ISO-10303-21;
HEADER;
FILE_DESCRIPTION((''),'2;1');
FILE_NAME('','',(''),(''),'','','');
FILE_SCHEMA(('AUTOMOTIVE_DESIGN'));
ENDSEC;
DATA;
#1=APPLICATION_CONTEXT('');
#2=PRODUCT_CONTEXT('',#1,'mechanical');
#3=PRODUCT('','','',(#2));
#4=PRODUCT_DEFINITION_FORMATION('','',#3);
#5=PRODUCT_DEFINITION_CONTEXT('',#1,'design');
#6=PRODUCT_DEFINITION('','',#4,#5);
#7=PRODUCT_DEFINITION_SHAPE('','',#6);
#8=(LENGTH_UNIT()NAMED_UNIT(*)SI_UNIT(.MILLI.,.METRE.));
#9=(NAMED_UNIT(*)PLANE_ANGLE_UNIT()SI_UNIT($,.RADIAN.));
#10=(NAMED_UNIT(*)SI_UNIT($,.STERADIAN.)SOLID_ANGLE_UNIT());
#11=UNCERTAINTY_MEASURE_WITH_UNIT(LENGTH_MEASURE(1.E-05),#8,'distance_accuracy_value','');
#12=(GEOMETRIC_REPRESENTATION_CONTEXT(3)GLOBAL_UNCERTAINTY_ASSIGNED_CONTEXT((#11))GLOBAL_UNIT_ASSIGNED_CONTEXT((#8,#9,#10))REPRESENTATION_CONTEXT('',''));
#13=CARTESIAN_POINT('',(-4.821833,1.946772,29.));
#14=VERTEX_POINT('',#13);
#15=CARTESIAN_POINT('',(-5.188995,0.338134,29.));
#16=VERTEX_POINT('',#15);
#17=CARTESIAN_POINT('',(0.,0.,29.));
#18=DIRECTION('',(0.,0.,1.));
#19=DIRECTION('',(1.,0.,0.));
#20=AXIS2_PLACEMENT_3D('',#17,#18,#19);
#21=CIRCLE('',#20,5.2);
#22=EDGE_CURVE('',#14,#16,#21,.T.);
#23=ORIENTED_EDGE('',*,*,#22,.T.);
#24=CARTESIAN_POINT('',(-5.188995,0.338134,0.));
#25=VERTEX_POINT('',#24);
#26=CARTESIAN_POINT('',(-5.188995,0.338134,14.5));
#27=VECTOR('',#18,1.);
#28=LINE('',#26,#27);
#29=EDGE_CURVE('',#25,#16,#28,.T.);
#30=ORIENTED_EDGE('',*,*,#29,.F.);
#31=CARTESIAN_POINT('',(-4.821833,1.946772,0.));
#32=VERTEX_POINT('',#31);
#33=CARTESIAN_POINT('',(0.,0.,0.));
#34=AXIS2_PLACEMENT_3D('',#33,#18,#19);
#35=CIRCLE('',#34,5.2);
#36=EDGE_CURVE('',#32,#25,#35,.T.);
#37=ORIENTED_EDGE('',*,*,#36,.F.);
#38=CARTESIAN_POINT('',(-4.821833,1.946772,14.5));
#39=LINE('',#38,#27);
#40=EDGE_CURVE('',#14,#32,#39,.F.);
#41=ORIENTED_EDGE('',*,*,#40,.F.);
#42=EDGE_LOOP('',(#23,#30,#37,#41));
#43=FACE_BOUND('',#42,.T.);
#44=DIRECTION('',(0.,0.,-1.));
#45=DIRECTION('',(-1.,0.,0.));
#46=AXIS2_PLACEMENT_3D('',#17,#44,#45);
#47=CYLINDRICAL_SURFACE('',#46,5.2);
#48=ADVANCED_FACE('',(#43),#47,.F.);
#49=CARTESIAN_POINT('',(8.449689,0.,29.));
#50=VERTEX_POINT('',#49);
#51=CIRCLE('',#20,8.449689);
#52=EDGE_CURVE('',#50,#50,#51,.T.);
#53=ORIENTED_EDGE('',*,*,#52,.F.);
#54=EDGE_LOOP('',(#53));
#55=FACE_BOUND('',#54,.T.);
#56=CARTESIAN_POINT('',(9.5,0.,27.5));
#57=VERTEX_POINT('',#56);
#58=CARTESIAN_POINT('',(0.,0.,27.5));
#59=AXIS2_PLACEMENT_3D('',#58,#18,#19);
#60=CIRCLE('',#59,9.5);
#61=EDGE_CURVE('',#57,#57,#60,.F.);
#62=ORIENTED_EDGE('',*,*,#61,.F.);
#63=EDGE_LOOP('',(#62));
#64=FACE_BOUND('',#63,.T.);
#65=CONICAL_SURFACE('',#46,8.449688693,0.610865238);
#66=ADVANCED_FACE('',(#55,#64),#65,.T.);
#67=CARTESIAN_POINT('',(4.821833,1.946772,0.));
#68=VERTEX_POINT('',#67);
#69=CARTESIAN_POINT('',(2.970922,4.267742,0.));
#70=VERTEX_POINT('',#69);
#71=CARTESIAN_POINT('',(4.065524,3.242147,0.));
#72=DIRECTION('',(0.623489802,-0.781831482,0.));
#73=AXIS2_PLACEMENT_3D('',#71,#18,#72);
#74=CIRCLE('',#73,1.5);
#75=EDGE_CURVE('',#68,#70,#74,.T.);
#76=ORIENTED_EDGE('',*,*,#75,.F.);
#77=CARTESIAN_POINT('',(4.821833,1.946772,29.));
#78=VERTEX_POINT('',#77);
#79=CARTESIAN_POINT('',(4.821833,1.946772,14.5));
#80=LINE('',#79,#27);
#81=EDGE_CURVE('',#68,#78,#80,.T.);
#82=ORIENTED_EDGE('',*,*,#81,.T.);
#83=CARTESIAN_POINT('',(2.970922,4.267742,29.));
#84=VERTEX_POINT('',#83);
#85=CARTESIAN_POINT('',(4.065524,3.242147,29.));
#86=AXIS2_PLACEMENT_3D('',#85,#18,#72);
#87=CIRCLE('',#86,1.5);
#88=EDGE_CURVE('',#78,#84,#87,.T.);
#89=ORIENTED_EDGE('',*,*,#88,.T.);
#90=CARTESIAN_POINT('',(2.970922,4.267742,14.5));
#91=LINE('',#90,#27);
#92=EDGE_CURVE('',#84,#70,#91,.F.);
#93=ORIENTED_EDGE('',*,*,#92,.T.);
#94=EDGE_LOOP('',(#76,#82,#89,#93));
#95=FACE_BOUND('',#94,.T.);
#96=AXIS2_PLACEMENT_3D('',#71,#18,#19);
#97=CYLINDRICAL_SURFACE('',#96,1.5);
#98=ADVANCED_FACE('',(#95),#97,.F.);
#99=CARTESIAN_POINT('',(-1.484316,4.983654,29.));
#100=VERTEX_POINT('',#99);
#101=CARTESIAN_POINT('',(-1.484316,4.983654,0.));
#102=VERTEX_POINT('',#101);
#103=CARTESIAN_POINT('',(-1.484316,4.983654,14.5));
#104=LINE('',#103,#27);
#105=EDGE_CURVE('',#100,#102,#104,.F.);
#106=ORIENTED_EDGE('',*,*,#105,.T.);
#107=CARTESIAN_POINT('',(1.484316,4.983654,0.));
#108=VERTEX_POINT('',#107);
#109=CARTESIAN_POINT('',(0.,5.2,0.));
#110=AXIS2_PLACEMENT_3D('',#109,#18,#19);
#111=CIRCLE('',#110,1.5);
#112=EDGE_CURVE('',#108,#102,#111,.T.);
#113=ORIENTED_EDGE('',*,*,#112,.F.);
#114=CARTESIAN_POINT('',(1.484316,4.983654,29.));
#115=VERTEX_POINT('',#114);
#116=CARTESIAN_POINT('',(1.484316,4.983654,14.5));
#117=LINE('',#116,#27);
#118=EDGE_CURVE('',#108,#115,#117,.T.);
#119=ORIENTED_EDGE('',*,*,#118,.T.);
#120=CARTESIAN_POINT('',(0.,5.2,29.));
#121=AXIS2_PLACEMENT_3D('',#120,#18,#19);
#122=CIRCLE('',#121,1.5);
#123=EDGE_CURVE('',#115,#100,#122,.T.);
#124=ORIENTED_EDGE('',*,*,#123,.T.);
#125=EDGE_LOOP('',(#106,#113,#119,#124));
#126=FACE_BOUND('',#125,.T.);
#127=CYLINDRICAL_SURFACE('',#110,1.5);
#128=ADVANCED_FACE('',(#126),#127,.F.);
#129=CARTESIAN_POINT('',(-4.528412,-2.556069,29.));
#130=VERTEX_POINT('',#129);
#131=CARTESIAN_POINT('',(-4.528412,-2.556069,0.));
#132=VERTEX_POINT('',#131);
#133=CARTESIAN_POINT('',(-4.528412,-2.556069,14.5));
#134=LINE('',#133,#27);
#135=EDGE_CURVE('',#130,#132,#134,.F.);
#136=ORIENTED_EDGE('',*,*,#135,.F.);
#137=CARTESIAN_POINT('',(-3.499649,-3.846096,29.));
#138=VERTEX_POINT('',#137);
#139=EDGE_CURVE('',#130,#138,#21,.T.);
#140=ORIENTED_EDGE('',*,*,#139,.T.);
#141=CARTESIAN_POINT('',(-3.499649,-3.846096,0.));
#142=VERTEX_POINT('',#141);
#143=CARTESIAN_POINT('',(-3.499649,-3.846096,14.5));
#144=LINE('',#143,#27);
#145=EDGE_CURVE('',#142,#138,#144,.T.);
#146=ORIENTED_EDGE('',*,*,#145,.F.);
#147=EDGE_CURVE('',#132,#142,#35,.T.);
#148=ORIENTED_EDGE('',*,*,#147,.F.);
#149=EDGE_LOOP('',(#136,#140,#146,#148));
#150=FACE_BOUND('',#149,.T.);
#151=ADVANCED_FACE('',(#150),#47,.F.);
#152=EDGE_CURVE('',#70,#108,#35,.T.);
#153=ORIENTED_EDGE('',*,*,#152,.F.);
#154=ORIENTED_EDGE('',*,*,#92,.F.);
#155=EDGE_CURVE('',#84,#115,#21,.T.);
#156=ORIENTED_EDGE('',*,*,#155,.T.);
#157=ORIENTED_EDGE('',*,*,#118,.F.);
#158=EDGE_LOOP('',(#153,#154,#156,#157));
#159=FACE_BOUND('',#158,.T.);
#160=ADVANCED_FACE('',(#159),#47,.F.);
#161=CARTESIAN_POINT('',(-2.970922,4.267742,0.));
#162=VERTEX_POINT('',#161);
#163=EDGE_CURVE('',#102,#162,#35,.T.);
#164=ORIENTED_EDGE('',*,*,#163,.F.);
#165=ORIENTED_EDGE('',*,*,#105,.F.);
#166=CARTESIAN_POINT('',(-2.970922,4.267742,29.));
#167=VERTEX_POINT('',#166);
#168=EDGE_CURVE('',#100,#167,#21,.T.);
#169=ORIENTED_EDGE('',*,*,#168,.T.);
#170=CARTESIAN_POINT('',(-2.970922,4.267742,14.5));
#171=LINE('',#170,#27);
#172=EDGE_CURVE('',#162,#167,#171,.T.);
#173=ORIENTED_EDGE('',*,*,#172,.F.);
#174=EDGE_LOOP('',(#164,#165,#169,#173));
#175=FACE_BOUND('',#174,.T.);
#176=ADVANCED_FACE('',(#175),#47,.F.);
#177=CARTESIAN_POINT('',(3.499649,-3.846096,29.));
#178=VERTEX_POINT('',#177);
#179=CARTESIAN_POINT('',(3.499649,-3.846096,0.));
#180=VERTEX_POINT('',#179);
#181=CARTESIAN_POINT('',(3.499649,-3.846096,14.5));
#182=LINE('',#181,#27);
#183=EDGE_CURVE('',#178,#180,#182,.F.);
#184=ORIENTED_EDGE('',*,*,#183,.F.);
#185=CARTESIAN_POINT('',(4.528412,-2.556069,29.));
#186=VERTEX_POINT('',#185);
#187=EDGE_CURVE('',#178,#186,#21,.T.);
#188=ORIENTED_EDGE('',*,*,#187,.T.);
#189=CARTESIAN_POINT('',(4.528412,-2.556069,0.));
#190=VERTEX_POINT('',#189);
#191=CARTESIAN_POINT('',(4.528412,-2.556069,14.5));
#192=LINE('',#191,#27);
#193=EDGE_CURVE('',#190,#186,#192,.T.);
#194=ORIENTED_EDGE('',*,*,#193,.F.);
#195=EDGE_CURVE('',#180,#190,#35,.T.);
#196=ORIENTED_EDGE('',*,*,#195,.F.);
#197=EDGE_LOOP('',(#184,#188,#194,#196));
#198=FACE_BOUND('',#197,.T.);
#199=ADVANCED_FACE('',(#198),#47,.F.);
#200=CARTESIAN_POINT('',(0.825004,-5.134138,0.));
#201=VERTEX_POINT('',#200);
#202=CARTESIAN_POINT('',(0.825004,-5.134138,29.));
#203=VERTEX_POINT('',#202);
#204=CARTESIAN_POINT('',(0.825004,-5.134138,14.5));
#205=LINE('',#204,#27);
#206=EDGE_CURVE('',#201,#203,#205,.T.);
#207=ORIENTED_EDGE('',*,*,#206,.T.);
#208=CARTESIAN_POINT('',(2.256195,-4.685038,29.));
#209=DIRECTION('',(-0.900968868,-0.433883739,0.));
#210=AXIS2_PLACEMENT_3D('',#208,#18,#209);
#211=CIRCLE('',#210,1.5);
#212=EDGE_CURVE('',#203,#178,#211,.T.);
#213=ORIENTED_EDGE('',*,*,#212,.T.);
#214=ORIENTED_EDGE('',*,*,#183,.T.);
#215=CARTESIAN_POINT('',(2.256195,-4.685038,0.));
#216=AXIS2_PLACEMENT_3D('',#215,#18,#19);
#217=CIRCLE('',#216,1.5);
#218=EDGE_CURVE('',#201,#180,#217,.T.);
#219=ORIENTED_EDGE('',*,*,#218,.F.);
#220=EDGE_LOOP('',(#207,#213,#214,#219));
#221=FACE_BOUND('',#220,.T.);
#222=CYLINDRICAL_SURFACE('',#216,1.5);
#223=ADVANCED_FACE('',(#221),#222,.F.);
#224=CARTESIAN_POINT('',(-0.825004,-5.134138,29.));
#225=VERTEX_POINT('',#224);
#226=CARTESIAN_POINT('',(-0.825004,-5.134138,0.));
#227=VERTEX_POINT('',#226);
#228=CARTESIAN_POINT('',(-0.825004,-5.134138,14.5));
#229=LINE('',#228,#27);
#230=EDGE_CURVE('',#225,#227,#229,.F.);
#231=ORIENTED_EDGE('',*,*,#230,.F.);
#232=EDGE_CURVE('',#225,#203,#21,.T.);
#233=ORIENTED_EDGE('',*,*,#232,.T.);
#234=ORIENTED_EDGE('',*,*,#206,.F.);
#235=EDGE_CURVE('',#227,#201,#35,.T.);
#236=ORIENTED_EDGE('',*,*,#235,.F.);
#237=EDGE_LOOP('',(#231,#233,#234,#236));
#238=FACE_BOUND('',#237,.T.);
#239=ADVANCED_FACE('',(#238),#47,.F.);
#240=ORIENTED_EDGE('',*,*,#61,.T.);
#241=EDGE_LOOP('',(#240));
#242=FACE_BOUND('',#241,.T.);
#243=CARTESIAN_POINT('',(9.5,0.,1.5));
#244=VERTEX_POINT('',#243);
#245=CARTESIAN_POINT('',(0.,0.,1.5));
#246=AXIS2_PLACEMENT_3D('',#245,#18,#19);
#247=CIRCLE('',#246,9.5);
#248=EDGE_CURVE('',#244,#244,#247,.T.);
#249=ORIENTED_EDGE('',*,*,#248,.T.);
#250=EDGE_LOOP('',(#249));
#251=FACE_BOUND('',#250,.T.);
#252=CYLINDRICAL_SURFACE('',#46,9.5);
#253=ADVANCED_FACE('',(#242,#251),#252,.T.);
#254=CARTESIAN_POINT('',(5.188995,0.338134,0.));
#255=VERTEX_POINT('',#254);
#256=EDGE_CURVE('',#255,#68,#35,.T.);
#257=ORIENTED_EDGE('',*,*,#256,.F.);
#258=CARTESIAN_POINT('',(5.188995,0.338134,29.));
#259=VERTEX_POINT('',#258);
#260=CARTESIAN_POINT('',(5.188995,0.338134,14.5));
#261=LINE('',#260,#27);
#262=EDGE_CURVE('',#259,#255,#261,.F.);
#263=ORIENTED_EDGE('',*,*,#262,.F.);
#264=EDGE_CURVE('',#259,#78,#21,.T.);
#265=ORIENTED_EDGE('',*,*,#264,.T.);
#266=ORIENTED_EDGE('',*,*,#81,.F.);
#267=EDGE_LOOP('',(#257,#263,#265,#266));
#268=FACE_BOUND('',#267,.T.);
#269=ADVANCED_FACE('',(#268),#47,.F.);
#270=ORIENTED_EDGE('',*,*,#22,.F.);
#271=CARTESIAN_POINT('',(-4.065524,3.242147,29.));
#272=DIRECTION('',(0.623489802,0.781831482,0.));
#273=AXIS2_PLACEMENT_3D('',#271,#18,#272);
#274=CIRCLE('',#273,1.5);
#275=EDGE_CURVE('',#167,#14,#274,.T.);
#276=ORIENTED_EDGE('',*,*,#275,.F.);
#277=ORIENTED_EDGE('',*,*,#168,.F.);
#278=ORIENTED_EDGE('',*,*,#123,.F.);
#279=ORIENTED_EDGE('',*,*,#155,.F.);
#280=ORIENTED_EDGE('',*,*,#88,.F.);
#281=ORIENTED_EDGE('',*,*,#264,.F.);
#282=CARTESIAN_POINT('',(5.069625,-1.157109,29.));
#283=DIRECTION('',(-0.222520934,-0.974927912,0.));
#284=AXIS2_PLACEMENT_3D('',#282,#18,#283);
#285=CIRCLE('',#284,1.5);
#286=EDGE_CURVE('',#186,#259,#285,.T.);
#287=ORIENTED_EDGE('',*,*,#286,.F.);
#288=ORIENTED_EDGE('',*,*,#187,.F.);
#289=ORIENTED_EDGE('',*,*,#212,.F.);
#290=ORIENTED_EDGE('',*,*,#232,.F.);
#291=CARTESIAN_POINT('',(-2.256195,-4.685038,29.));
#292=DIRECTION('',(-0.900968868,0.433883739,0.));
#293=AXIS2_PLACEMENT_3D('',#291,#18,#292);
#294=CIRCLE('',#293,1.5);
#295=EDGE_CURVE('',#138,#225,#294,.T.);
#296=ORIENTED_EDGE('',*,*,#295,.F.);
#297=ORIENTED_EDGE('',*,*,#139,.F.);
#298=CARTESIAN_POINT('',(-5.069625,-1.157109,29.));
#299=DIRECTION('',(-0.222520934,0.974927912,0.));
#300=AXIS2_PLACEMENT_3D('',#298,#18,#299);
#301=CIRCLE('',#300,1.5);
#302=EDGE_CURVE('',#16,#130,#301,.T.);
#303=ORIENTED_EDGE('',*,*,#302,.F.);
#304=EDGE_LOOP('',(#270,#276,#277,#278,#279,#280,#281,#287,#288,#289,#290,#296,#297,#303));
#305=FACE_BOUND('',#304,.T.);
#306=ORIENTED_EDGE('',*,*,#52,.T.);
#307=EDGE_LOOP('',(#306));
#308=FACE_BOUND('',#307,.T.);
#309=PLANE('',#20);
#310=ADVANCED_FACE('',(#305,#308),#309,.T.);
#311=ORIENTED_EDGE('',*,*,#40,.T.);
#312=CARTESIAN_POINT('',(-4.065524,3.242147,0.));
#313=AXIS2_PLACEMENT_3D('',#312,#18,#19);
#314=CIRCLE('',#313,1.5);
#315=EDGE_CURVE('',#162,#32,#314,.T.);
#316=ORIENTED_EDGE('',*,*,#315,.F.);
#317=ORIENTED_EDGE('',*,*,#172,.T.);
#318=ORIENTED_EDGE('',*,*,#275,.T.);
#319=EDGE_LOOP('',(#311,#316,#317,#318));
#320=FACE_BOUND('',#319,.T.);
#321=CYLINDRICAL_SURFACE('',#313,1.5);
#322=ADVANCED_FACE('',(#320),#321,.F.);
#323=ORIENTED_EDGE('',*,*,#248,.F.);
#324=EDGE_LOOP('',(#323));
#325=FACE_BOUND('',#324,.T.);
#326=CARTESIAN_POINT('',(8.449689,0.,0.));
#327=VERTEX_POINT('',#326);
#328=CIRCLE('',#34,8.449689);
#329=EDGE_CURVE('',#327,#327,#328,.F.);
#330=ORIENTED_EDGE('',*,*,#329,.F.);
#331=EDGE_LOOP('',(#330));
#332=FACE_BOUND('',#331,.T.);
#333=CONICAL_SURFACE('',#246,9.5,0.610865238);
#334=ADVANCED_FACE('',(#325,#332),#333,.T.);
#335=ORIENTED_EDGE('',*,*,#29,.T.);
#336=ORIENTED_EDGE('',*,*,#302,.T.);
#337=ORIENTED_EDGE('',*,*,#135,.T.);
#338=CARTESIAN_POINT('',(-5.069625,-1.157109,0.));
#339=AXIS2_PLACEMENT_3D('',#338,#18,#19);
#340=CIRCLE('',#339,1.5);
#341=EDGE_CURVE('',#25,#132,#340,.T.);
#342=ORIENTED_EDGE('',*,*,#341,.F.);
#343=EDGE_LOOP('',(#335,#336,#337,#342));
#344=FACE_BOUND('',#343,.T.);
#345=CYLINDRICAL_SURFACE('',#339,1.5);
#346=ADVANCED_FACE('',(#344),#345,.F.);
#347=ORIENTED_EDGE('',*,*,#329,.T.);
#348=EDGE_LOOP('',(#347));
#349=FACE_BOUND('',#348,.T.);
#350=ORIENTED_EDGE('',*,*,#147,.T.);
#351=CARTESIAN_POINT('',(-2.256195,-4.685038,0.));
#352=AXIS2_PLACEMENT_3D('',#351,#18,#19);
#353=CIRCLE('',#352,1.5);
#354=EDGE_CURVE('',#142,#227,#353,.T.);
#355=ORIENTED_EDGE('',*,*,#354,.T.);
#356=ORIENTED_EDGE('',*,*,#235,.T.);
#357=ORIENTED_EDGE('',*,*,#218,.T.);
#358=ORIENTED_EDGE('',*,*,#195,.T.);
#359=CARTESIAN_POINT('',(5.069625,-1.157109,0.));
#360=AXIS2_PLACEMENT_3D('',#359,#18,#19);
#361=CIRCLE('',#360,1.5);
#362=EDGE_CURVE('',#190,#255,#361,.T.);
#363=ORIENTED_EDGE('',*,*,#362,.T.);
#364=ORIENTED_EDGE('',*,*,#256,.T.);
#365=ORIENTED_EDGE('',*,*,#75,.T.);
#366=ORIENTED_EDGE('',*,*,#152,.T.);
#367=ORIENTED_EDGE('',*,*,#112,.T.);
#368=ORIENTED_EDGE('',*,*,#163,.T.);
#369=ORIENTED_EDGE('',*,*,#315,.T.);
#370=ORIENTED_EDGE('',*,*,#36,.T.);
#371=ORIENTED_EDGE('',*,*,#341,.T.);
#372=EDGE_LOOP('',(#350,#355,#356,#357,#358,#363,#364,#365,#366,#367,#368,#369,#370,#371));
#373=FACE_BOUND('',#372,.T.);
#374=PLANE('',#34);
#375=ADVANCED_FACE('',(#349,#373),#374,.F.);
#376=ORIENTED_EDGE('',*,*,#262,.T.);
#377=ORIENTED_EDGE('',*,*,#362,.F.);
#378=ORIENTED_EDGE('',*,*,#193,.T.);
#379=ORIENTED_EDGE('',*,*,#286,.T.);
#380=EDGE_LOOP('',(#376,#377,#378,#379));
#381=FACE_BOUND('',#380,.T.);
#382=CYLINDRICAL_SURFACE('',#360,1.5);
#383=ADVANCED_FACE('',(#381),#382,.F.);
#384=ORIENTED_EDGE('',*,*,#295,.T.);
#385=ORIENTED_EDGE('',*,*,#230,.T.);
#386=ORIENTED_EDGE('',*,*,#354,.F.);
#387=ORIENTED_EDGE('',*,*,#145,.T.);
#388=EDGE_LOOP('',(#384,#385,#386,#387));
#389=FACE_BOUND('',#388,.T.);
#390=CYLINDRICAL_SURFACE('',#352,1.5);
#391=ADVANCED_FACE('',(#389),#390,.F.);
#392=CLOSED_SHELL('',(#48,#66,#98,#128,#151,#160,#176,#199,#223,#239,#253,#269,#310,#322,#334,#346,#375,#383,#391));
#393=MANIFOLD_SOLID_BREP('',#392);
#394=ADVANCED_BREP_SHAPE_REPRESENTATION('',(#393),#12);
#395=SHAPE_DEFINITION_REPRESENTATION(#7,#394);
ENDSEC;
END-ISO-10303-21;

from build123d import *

# Parameters (mm, degrees)
SKETCH1_R           = 9.5
SKETCH1_R_2         = 5.2
BOSS_EXTRUDE1_DEPTH = 29
SKETCH2_R           = 1.5
CUT_EXTRUDE1_DEPTH  = 30
CIRPATTERN1_COUNT   = 7
CHAMFER1_SIZE       = 1.5
CHAMFER1_SIZE2      = 1.050311307


with BuildPart() as part:
    # Sketch1 → Boss-Extrude1 (new body)
    with BuildSketch(Plane.XY):
        Circle(SKETCH1_R)
        Circle(SKETCH1_R_2, mode=Mode.SUBTRACT)
    extrude(amount=BOSS_EXTRUDE1_DEPTH)

    # Sketch2 → Cut-Extrude1 (cut, through all)
    with BuildSketch(Plane.XY.offset(29)):
        with Locations((0, 5.2)):
            Circle(SKETCH2_R)
    cut_extrude1 = extrude(amount=-CUT_EXTRUDE1_DEPTH, mode=Mode.SUBTRACT)

    # CirPattern1: Cut-Extrude1 ×7 about axis
    cirpattern1_axis = Axis((0, 0, 0), (0, 0, 1))
    for i in range(1, CIRPATTERN1_COUNT):
        add(cut_extrude1.rotate(cirpattern1_axis, i * 360 / CIRPATTERN1_COUNT), mode=Mode.SUBTRACT)

    # Chamfer1
    chamfer1_edges = [part.edges().sort_by_distance(p)[0] for p in [
        (-9.5, 0, 0),
        (-9.5, 0, 29),
    ]]
    chamfer1_side = [part.faces().sort_by_distance(p)[0] for p in [
        (-9.5, 0, 14.5),
    ]]
    chamfer(chamfer1_edges, length=CHAMFER1_SIZE, length2=CHAMFER1_SIZE2, reference=chamfer1_side[0])


solid = part.part
